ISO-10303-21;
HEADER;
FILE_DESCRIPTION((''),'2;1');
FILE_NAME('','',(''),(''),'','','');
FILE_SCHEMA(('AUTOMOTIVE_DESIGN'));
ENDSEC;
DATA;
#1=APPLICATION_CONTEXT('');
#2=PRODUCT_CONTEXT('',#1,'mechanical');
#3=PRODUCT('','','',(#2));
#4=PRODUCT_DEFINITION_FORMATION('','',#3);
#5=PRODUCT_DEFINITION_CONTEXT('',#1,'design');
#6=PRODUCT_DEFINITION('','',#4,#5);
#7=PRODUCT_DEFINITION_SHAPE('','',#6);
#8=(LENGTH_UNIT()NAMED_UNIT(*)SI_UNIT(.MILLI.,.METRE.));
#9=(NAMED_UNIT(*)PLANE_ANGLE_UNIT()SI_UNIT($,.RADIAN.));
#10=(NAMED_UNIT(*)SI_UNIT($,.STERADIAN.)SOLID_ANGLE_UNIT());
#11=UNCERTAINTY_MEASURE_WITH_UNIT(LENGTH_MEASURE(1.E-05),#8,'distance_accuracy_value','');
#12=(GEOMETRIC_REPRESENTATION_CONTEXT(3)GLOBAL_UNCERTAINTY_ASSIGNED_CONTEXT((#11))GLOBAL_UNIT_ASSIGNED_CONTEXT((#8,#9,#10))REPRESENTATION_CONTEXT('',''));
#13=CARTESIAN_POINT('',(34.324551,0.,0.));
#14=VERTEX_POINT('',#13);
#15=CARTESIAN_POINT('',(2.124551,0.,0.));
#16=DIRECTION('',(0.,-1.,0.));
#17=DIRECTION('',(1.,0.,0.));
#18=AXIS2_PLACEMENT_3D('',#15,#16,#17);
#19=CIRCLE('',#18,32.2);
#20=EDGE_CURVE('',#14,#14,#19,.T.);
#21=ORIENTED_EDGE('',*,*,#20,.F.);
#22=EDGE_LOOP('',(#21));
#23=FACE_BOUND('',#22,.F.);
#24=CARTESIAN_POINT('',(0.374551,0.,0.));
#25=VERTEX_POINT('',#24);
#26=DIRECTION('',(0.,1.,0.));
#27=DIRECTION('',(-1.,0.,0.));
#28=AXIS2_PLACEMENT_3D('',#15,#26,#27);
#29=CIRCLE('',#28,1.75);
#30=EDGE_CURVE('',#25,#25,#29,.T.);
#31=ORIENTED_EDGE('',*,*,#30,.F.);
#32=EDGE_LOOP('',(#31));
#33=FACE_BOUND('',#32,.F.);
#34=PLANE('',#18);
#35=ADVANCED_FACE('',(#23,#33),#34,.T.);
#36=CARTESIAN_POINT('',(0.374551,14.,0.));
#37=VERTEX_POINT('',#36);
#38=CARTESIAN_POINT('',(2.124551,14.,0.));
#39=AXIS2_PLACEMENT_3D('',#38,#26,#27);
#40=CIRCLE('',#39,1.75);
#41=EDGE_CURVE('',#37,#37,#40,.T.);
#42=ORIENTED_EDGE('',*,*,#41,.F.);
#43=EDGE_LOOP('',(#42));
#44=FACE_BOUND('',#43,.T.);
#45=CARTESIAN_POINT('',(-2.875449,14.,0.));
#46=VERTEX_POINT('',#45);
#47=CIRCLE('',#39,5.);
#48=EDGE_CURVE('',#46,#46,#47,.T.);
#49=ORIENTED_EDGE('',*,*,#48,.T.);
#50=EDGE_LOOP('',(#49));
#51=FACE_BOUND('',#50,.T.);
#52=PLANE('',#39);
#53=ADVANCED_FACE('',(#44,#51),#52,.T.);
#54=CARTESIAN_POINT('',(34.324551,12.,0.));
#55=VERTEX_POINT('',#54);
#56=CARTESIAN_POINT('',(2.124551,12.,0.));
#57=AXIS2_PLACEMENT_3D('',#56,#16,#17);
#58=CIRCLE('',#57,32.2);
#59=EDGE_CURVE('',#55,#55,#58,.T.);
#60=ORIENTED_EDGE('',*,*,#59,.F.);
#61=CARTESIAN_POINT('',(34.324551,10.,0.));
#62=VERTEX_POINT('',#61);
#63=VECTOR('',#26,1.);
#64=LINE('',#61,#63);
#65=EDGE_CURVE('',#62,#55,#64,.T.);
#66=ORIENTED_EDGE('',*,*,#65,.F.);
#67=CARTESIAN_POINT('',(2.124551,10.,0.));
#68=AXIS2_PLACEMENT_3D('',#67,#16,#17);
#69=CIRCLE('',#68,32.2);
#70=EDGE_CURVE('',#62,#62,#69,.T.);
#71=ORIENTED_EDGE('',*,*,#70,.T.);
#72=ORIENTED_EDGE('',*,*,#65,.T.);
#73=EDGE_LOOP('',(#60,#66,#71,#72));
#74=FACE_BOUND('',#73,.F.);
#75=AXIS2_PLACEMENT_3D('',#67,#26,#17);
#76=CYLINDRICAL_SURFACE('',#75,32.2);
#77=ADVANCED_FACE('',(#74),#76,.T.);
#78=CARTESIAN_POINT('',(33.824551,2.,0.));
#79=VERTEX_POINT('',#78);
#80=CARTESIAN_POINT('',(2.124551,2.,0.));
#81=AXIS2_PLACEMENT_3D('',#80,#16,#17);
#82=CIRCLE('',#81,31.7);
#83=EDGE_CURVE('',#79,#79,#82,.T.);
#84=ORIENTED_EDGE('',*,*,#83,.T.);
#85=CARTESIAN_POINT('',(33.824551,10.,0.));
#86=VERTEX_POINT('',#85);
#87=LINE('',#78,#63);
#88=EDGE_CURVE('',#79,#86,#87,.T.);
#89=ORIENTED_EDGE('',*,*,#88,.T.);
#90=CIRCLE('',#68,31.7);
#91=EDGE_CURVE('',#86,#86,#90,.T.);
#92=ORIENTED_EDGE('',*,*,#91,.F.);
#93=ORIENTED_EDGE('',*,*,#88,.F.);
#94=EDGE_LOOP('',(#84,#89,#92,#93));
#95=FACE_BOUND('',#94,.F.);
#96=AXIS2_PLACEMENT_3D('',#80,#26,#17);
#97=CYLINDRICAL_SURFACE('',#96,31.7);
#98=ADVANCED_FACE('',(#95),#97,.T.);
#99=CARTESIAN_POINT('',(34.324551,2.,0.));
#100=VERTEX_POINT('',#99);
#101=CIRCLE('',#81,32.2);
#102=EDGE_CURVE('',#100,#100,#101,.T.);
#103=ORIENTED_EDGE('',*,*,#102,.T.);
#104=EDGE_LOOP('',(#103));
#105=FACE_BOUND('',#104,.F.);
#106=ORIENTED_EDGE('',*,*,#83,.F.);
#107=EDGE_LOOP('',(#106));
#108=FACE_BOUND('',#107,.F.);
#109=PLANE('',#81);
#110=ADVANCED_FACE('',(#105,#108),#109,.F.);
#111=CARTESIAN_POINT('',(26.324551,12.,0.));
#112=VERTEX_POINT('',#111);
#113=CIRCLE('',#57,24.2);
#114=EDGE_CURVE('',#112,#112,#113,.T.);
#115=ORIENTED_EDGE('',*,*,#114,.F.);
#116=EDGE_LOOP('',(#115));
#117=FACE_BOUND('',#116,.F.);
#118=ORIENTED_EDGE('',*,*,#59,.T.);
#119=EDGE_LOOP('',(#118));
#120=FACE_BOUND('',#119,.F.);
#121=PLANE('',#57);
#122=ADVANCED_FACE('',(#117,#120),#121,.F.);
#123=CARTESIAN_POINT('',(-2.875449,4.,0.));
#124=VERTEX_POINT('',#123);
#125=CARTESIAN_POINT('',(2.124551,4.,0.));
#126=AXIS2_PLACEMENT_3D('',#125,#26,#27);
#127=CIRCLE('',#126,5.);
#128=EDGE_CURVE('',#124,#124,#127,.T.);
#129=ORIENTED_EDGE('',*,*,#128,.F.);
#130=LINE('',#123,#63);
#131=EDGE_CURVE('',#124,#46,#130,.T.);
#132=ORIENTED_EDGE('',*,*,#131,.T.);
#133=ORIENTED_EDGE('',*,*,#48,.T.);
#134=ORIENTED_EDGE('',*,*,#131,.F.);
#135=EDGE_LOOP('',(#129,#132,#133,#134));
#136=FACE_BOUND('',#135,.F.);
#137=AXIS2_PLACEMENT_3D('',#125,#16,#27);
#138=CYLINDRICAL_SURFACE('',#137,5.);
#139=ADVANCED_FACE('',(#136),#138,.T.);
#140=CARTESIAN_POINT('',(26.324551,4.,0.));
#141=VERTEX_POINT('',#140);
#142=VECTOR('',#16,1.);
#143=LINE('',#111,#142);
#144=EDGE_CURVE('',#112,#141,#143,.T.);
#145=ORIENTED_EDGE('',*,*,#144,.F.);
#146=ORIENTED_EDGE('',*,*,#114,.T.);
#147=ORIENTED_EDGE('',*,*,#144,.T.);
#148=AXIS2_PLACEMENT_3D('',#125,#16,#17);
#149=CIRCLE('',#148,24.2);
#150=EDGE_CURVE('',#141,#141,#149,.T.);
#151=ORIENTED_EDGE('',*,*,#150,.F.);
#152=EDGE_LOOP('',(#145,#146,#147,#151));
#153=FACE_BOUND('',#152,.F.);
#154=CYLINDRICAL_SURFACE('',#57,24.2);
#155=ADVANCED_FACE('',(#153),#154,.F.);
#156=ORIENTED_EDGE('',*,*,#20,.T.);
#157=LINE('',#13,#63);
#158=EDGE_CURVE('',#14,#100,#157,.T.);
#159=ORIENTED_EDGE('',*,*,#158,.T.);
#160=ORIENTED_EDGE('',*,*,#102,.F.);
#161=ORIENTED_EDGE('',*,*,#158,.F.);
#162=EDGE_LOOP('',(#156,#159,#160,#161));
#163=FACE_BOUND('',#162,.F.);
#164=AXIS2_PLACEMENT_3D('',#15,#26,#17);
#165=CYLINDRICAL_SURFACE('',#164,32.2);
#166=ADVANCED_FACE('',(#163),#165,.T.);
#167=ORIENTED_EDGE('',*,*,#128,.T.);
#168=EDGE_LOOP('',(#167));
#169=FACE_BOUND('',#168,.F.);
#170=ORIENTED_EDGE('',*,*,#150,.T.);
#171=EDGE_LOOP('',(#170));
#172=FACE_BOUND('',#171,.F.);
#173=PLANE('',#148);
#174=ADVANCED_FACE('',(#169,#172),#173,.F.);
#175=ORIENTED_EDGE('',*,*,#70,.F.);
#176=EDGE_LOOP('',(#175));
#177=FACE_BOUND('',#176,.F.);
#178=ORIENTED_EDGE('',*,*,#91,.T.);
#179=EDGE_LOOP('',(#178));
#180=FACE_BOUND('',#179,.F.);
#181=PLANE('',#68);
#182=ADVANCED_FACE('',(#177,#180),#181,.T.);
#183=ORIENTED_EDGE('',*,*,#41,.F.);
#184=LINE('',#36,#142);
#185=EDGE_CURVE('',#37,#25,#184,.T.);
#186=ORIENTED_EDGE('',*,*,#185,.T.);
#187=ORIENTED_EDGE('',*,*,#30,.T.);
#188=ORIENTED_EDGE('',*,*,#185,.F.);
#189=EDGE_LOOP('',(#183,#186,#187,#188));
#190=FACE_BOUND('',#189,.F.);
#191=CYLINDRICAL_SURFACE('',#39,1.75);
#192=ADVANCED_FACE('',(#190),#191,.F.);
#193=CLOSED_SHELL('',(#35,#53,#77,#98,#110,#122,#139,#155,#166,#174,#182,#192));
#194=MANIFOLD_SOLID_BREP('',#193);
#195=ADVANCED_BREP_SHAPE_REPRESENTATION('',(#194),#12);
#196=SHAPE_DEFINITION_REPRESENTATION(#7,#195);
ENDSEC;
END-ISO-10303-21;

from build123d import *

# Parameters (mm, degrees)
F2_R     = 5
F3_DEPTH = 10
F4_R     = 1.75
F5_DEPTH = 25


with BuildPart() as f1:
    # F0 (on Top) → F1 (revolve)
    with BuildSketch(Plane.XY):
        Polygon((2.124551, 4), (2.124551, 0), (34.324551, 0), (34.324551, 2), (33.824551, 2), (33.824551, 10), (34.324551, 10), (34.324551, 12), (26.324551, 12), (26.324551, 4), align=None)
    revolve(axis=Axis((2.124551, 2, 0), (0, -1, 0)))

    # F2 (on face) → F3 (join)
    with BuildSketch(Plane(origin=(0, 4, 0), x_dir=(-1, 0, 0), z_dir=(0, 1, 0))):
        with Locations((-2.124551, 0)):
            Circle(F2_R)
    extrude(amount=F3_DEPTH)

    # F4 (on face) → F5 (cut)
    with BuildSketch(Plane(origin=(0, 14, 0), x_dir=(-1, 0, 0), z_dir=(0, 1, 0))):
        with Locations((-2.124551, 0)):
            Circle(F4_R)
    extrude(amount=-F5_DEPTH, mode=Mode.SUBTRACT)


solid = f1.part
